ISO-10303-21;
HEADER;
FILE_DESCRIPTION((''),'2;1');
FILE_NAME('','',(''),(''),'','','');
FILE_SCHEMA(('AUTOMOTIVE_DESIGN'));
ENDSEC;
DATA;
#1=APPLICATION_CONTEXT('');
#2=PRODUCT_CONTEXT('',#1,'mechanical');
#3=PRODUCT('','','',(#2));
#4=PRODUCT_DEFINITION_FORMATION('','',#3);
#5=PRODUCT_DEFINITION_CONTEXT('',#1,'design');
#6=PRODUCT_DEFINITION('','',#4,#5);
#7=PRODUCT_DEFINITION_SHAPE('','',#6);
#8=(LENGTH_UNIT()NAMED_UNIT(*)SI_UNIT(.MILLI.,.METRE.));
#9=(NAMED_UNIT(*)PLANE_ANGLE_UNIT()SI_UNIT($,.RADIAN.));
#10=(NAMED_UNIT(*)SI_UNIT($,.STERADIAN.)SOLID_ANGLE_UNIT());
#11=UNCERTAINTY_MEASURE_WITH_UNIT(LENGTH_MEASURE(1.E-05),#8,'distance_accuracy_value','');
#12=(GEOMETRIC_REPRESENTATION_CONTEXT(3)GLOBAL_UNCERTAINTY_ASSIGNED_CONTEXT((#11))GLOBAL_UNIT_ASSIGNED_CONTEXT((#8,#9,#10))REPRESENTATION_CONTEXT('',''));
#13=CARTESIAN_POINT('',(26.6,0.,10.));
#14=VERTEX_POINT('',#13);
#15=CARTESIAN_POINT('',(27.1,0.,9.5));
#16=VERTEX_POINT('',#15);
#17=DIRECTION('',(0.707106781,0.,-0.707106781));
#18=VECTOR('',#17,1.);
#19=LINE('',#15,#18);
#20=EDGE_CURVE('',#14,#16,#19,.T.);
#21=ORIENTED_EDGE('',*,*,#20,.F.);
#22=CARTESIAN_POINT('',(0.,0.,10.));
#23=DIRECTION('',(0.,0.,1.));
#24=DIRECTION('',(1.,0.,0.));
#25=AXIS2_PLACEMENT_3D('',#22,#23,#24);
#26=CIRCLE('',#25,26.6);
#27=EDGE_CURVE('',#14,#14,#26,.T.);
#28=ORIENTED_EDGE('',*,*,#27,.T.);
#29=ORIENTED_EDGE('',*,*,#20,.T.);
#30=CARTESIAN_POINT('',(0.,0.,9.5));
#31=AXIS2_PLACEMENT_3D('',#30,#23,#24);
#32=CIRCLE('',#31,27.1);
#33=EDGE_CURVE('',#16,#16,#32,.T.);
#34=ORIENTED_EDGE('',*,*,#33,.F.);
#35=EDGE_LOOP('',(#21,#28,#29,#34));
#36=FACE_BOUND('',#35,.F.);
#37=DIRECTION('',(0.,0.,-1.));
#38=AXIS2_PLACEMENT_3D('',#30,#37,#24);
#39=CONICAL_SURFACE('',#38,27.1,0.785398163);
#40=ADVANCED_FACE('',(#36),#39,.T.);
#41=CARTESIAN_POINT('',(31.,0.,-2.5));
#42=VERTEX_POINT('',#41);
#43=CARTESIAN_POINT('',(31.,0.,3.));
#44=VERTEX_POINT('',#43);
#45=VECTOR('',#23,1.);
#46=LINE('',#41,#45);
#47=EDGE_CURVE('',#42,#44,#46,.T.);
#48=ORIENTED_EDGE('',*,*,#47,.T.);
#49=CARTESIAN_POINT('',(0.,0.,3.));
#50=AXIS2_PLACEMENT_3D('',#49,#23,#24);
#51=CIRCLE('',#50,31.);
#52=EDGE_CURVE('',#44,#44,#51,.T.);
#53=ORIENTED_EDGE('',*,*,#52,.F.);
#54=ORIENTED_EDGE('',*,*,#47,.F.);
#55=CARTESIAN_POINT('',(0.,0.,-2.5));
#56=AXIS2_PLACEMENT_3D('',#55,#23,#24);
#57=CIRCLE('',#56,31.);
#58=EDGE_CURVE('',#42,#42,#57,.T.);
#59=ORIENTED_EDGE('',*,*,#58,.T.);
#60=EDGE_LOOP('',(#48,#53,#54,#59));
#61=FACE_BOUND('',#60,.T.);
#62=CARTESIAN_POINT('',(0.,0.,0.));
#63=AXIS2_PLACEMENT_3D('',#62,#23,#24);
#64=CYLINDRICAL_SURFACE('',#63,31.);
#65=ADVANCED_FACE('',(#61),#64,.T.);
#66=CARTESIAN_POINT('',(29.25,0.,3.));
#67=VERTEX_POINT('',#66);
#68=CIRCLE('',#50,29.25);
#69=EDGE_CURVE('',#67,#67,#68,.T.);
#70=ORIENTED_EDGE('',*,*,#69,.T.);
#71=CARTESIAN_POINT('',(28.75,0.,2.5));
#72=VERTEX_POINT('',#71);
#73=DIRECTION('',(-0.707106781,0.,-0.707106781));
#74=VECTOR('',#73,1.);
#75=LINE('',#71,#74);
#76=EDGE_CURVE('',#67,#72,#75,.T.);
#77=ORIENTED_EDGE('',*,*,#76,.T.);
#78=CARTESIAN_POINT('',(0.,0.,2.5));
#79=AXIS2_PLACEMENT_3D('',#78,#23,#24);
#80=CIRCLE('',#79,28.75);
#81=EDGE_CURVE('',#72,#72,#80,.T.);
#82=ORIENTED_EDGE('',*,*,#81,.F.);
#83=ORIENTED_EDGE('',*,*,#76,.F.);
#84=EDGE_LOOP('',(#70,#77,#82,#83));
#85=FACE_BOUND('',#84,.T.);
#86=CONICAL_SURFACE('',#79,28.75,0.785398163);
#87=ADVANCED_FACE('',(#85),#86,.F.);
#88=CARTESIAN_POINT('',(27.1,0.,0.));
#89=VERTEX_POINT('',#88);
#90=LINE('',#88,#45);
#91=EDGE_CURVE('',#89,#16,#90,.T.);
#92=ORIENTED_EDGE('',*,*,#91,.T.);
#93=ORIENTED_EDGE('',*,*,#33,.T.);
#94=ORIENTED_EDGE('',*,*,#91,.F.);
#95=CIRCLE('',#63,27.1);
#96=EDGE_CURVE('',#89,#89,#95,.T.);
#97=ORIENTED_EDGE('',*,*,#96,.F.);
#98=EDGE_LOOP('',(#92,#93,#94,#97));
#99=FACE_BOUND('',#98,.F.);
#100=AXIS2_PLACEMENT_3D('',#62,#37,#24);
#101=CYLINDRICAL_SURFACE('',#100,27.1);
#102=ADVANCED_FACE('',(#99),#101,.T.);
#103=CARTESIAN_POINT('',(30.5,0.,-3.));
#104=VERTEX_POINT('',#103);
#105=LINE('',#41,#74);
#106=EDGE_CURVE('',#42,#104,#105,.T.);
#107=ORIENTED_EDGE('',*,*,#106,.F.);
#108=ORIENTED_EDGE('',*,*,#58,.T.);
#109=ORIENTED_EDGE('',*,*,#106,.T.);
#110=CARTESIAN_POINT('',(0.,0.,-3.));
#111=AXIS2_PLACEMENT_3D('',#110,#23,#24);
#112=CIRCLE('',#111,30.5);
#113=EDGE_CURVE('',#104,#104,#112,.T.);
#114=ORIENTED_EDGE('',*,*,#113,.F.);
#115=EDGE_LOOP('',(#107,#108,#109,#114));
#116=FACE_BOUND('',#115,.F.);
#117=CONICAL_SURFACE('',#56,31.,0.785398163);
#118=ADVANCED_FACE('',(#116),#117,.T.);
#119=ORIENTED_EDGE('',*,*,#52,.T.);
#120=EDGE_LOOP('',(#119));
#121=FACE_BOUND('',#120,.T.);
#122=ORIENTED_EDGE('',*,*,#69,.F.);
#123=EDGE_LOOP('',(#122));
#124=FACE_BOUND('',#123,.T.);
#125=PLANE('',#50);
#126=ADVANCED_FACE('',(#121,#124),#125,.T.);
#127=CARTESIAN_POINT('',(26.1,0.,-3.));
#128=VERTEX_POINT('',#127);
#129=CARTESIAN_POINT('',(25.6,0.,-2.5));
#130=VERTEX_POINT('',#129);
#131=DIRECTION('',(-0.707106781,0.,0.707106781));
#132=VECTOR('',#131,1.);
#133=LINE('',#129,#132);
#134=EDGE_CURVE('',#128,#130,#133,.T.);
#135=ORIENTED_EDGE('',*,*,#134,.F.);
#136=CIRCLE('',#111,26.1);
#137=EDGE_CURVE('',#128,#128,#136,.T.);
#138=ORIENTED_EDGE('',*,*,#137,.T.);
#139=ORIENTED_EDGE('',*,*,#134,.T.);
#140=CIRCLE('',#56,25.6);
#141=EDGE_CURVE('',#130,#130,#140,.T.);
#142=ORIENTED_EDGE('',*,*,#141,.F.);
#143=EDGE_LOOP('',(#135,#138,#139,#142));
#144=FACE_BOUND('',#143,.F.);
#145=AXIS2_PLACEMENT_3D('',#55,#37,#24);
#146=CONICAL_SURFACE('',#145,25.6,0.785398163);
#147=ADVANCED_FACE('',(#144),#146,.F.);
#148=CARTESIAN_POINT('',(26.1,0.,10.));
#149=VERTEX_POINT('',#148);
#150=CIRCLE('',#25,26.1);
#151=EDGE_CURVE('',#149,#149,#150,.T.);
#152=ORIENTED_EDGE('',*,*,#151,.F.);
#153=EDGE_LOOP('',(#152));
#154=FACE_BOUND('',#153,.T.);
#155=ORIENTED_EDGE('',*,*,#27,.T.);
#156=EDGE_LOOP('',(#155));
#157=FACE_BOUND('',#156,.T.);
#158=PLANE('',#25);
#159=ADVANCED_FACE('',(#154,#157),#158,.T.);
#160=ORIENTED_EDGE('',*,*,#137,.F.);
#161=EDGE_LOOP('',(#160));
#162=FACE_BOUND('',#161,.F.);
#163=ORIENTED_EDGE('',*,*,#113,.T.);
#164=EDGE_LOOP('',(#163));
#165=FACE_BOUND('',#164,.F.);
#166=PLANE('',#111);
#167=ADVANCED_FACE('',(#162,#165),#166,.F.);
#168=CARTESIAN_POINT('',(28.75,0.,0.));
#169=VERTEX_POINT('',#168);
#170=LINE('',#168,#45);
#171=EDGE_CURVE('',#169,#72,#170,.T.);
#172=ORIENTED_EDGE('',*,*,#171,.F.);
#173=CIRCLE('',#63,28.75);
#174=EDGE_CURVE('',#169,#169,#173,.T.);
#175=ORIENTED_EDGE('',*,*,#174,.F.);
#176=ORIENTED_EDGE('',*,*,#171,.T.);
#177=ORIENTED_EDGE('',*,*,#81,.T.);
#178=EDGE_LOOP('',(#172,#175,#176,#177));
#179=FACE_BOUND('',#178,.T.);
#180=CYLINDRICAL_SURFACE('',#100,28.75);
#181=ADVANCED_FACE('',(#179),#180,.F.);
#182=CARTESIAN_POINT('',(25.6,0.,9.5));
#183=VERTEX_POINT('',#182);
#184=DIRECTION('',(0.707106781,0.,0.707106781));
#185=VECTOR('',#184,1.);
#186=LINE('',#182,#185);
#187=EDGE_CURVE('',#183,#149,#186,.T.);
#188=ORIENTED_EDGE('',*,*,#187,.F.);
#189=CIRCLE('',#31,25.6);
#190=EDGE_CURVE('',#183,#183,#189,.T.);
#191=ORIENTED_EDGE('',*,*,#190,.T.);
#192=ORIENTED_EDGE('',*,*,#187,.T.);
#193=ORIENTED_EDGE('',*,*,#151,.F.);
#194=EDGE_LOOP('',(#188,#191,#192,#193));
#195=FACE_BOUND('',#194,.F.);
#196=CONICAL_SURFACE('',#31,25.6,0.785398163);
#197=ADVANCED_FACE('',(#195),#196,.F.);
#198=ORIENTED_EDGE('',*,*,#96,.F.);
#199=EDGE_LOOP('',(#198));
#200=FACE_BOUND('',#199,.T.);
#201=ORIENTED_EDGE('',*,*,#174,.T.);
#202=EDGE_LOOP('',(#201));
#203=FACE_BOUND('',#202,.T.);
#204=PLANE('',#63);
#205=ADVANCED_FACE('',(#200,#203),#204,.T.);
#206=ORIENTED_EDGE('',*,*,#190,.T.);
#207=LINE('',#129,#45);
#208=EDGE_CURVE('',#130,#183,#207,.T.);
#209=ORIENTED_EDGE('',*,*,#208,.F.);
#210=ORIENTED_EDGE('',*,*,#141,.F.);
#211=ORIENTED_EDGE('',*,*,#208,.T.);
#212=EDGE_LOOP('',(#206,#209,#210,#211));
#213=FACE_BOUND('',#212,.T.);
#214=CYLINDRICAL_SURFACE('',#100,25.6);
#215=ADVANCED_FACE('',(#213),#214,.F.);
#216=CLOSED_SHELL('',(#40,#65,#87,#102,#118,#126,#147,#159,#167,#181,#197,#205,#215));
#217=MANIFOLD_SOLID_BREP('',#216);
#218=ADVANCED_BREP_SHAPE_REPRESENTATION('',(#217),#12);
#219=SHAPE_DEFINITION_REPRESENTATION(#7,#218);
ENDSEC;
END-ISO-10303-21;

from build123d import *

# Parameters (mm, degrees)
F0_R     = 31
F0_R_2   = 28.75
F0_R_3   = 27.1
F0_R_4   = 25.6
F1_DEPTH = 3
F2_DEPTH = 10
F3_DEPTH = 3
F4_DEPTH = 25
F5_SIZE  = 0.5


with BuildPart() as f1:
    # F0 (on Top) → F1 (new body)
    with BuildSketch(Plane.XY):
        Circle(F0_R)
        Circle(F0_R_2, mode=Mode.SUBTRACT)
        Circle(F0_R_2)
        Circle(F0_R_3, mode=Mode.SUBTRACT)
        Circle(F0_R_3)
        Circle(F0_R_4, mode=Mode.SUBTRACT)
    extrude(amount=-F1_DEPTH)

    # F0 (on Top) → F2 (join)
    with BuildSketch(Plane.XY):
        Circle(F0_R_3)
        Circle(F0_R_4, mode=Mode.SUBTRACT)
    extrude(amount=F2_DEPTH)

    # F0 (on Top) → F3 (join)
    with BuildSketch(Plane.XY):
        Circle(F0_R)
        Circle(F0_R_2, mode=Mode.SUBTRACT)
    extrude(amount=F3_DEPTH)

    # F0 (on Top) → F4 (cut)
    with BuildSketch(Plane.XY):
        Circle(F0_R_4)
    extrude(amount=F4_DEPTH, mode=Mode.SUBTRACT)

    # F5
    f5_edges = [f1.edges().sort_by_distance(p)[0] for p in [
        (-25.6, 0, 10),
        (-27.1, 0, 10),
        (-28.75, 0, 3),
        (-25.6, 0, -3),
        (-31, 0, -3),
    ]]
    chamfer(f5_edges, length=F5_SIZE)


solid = f1.part
